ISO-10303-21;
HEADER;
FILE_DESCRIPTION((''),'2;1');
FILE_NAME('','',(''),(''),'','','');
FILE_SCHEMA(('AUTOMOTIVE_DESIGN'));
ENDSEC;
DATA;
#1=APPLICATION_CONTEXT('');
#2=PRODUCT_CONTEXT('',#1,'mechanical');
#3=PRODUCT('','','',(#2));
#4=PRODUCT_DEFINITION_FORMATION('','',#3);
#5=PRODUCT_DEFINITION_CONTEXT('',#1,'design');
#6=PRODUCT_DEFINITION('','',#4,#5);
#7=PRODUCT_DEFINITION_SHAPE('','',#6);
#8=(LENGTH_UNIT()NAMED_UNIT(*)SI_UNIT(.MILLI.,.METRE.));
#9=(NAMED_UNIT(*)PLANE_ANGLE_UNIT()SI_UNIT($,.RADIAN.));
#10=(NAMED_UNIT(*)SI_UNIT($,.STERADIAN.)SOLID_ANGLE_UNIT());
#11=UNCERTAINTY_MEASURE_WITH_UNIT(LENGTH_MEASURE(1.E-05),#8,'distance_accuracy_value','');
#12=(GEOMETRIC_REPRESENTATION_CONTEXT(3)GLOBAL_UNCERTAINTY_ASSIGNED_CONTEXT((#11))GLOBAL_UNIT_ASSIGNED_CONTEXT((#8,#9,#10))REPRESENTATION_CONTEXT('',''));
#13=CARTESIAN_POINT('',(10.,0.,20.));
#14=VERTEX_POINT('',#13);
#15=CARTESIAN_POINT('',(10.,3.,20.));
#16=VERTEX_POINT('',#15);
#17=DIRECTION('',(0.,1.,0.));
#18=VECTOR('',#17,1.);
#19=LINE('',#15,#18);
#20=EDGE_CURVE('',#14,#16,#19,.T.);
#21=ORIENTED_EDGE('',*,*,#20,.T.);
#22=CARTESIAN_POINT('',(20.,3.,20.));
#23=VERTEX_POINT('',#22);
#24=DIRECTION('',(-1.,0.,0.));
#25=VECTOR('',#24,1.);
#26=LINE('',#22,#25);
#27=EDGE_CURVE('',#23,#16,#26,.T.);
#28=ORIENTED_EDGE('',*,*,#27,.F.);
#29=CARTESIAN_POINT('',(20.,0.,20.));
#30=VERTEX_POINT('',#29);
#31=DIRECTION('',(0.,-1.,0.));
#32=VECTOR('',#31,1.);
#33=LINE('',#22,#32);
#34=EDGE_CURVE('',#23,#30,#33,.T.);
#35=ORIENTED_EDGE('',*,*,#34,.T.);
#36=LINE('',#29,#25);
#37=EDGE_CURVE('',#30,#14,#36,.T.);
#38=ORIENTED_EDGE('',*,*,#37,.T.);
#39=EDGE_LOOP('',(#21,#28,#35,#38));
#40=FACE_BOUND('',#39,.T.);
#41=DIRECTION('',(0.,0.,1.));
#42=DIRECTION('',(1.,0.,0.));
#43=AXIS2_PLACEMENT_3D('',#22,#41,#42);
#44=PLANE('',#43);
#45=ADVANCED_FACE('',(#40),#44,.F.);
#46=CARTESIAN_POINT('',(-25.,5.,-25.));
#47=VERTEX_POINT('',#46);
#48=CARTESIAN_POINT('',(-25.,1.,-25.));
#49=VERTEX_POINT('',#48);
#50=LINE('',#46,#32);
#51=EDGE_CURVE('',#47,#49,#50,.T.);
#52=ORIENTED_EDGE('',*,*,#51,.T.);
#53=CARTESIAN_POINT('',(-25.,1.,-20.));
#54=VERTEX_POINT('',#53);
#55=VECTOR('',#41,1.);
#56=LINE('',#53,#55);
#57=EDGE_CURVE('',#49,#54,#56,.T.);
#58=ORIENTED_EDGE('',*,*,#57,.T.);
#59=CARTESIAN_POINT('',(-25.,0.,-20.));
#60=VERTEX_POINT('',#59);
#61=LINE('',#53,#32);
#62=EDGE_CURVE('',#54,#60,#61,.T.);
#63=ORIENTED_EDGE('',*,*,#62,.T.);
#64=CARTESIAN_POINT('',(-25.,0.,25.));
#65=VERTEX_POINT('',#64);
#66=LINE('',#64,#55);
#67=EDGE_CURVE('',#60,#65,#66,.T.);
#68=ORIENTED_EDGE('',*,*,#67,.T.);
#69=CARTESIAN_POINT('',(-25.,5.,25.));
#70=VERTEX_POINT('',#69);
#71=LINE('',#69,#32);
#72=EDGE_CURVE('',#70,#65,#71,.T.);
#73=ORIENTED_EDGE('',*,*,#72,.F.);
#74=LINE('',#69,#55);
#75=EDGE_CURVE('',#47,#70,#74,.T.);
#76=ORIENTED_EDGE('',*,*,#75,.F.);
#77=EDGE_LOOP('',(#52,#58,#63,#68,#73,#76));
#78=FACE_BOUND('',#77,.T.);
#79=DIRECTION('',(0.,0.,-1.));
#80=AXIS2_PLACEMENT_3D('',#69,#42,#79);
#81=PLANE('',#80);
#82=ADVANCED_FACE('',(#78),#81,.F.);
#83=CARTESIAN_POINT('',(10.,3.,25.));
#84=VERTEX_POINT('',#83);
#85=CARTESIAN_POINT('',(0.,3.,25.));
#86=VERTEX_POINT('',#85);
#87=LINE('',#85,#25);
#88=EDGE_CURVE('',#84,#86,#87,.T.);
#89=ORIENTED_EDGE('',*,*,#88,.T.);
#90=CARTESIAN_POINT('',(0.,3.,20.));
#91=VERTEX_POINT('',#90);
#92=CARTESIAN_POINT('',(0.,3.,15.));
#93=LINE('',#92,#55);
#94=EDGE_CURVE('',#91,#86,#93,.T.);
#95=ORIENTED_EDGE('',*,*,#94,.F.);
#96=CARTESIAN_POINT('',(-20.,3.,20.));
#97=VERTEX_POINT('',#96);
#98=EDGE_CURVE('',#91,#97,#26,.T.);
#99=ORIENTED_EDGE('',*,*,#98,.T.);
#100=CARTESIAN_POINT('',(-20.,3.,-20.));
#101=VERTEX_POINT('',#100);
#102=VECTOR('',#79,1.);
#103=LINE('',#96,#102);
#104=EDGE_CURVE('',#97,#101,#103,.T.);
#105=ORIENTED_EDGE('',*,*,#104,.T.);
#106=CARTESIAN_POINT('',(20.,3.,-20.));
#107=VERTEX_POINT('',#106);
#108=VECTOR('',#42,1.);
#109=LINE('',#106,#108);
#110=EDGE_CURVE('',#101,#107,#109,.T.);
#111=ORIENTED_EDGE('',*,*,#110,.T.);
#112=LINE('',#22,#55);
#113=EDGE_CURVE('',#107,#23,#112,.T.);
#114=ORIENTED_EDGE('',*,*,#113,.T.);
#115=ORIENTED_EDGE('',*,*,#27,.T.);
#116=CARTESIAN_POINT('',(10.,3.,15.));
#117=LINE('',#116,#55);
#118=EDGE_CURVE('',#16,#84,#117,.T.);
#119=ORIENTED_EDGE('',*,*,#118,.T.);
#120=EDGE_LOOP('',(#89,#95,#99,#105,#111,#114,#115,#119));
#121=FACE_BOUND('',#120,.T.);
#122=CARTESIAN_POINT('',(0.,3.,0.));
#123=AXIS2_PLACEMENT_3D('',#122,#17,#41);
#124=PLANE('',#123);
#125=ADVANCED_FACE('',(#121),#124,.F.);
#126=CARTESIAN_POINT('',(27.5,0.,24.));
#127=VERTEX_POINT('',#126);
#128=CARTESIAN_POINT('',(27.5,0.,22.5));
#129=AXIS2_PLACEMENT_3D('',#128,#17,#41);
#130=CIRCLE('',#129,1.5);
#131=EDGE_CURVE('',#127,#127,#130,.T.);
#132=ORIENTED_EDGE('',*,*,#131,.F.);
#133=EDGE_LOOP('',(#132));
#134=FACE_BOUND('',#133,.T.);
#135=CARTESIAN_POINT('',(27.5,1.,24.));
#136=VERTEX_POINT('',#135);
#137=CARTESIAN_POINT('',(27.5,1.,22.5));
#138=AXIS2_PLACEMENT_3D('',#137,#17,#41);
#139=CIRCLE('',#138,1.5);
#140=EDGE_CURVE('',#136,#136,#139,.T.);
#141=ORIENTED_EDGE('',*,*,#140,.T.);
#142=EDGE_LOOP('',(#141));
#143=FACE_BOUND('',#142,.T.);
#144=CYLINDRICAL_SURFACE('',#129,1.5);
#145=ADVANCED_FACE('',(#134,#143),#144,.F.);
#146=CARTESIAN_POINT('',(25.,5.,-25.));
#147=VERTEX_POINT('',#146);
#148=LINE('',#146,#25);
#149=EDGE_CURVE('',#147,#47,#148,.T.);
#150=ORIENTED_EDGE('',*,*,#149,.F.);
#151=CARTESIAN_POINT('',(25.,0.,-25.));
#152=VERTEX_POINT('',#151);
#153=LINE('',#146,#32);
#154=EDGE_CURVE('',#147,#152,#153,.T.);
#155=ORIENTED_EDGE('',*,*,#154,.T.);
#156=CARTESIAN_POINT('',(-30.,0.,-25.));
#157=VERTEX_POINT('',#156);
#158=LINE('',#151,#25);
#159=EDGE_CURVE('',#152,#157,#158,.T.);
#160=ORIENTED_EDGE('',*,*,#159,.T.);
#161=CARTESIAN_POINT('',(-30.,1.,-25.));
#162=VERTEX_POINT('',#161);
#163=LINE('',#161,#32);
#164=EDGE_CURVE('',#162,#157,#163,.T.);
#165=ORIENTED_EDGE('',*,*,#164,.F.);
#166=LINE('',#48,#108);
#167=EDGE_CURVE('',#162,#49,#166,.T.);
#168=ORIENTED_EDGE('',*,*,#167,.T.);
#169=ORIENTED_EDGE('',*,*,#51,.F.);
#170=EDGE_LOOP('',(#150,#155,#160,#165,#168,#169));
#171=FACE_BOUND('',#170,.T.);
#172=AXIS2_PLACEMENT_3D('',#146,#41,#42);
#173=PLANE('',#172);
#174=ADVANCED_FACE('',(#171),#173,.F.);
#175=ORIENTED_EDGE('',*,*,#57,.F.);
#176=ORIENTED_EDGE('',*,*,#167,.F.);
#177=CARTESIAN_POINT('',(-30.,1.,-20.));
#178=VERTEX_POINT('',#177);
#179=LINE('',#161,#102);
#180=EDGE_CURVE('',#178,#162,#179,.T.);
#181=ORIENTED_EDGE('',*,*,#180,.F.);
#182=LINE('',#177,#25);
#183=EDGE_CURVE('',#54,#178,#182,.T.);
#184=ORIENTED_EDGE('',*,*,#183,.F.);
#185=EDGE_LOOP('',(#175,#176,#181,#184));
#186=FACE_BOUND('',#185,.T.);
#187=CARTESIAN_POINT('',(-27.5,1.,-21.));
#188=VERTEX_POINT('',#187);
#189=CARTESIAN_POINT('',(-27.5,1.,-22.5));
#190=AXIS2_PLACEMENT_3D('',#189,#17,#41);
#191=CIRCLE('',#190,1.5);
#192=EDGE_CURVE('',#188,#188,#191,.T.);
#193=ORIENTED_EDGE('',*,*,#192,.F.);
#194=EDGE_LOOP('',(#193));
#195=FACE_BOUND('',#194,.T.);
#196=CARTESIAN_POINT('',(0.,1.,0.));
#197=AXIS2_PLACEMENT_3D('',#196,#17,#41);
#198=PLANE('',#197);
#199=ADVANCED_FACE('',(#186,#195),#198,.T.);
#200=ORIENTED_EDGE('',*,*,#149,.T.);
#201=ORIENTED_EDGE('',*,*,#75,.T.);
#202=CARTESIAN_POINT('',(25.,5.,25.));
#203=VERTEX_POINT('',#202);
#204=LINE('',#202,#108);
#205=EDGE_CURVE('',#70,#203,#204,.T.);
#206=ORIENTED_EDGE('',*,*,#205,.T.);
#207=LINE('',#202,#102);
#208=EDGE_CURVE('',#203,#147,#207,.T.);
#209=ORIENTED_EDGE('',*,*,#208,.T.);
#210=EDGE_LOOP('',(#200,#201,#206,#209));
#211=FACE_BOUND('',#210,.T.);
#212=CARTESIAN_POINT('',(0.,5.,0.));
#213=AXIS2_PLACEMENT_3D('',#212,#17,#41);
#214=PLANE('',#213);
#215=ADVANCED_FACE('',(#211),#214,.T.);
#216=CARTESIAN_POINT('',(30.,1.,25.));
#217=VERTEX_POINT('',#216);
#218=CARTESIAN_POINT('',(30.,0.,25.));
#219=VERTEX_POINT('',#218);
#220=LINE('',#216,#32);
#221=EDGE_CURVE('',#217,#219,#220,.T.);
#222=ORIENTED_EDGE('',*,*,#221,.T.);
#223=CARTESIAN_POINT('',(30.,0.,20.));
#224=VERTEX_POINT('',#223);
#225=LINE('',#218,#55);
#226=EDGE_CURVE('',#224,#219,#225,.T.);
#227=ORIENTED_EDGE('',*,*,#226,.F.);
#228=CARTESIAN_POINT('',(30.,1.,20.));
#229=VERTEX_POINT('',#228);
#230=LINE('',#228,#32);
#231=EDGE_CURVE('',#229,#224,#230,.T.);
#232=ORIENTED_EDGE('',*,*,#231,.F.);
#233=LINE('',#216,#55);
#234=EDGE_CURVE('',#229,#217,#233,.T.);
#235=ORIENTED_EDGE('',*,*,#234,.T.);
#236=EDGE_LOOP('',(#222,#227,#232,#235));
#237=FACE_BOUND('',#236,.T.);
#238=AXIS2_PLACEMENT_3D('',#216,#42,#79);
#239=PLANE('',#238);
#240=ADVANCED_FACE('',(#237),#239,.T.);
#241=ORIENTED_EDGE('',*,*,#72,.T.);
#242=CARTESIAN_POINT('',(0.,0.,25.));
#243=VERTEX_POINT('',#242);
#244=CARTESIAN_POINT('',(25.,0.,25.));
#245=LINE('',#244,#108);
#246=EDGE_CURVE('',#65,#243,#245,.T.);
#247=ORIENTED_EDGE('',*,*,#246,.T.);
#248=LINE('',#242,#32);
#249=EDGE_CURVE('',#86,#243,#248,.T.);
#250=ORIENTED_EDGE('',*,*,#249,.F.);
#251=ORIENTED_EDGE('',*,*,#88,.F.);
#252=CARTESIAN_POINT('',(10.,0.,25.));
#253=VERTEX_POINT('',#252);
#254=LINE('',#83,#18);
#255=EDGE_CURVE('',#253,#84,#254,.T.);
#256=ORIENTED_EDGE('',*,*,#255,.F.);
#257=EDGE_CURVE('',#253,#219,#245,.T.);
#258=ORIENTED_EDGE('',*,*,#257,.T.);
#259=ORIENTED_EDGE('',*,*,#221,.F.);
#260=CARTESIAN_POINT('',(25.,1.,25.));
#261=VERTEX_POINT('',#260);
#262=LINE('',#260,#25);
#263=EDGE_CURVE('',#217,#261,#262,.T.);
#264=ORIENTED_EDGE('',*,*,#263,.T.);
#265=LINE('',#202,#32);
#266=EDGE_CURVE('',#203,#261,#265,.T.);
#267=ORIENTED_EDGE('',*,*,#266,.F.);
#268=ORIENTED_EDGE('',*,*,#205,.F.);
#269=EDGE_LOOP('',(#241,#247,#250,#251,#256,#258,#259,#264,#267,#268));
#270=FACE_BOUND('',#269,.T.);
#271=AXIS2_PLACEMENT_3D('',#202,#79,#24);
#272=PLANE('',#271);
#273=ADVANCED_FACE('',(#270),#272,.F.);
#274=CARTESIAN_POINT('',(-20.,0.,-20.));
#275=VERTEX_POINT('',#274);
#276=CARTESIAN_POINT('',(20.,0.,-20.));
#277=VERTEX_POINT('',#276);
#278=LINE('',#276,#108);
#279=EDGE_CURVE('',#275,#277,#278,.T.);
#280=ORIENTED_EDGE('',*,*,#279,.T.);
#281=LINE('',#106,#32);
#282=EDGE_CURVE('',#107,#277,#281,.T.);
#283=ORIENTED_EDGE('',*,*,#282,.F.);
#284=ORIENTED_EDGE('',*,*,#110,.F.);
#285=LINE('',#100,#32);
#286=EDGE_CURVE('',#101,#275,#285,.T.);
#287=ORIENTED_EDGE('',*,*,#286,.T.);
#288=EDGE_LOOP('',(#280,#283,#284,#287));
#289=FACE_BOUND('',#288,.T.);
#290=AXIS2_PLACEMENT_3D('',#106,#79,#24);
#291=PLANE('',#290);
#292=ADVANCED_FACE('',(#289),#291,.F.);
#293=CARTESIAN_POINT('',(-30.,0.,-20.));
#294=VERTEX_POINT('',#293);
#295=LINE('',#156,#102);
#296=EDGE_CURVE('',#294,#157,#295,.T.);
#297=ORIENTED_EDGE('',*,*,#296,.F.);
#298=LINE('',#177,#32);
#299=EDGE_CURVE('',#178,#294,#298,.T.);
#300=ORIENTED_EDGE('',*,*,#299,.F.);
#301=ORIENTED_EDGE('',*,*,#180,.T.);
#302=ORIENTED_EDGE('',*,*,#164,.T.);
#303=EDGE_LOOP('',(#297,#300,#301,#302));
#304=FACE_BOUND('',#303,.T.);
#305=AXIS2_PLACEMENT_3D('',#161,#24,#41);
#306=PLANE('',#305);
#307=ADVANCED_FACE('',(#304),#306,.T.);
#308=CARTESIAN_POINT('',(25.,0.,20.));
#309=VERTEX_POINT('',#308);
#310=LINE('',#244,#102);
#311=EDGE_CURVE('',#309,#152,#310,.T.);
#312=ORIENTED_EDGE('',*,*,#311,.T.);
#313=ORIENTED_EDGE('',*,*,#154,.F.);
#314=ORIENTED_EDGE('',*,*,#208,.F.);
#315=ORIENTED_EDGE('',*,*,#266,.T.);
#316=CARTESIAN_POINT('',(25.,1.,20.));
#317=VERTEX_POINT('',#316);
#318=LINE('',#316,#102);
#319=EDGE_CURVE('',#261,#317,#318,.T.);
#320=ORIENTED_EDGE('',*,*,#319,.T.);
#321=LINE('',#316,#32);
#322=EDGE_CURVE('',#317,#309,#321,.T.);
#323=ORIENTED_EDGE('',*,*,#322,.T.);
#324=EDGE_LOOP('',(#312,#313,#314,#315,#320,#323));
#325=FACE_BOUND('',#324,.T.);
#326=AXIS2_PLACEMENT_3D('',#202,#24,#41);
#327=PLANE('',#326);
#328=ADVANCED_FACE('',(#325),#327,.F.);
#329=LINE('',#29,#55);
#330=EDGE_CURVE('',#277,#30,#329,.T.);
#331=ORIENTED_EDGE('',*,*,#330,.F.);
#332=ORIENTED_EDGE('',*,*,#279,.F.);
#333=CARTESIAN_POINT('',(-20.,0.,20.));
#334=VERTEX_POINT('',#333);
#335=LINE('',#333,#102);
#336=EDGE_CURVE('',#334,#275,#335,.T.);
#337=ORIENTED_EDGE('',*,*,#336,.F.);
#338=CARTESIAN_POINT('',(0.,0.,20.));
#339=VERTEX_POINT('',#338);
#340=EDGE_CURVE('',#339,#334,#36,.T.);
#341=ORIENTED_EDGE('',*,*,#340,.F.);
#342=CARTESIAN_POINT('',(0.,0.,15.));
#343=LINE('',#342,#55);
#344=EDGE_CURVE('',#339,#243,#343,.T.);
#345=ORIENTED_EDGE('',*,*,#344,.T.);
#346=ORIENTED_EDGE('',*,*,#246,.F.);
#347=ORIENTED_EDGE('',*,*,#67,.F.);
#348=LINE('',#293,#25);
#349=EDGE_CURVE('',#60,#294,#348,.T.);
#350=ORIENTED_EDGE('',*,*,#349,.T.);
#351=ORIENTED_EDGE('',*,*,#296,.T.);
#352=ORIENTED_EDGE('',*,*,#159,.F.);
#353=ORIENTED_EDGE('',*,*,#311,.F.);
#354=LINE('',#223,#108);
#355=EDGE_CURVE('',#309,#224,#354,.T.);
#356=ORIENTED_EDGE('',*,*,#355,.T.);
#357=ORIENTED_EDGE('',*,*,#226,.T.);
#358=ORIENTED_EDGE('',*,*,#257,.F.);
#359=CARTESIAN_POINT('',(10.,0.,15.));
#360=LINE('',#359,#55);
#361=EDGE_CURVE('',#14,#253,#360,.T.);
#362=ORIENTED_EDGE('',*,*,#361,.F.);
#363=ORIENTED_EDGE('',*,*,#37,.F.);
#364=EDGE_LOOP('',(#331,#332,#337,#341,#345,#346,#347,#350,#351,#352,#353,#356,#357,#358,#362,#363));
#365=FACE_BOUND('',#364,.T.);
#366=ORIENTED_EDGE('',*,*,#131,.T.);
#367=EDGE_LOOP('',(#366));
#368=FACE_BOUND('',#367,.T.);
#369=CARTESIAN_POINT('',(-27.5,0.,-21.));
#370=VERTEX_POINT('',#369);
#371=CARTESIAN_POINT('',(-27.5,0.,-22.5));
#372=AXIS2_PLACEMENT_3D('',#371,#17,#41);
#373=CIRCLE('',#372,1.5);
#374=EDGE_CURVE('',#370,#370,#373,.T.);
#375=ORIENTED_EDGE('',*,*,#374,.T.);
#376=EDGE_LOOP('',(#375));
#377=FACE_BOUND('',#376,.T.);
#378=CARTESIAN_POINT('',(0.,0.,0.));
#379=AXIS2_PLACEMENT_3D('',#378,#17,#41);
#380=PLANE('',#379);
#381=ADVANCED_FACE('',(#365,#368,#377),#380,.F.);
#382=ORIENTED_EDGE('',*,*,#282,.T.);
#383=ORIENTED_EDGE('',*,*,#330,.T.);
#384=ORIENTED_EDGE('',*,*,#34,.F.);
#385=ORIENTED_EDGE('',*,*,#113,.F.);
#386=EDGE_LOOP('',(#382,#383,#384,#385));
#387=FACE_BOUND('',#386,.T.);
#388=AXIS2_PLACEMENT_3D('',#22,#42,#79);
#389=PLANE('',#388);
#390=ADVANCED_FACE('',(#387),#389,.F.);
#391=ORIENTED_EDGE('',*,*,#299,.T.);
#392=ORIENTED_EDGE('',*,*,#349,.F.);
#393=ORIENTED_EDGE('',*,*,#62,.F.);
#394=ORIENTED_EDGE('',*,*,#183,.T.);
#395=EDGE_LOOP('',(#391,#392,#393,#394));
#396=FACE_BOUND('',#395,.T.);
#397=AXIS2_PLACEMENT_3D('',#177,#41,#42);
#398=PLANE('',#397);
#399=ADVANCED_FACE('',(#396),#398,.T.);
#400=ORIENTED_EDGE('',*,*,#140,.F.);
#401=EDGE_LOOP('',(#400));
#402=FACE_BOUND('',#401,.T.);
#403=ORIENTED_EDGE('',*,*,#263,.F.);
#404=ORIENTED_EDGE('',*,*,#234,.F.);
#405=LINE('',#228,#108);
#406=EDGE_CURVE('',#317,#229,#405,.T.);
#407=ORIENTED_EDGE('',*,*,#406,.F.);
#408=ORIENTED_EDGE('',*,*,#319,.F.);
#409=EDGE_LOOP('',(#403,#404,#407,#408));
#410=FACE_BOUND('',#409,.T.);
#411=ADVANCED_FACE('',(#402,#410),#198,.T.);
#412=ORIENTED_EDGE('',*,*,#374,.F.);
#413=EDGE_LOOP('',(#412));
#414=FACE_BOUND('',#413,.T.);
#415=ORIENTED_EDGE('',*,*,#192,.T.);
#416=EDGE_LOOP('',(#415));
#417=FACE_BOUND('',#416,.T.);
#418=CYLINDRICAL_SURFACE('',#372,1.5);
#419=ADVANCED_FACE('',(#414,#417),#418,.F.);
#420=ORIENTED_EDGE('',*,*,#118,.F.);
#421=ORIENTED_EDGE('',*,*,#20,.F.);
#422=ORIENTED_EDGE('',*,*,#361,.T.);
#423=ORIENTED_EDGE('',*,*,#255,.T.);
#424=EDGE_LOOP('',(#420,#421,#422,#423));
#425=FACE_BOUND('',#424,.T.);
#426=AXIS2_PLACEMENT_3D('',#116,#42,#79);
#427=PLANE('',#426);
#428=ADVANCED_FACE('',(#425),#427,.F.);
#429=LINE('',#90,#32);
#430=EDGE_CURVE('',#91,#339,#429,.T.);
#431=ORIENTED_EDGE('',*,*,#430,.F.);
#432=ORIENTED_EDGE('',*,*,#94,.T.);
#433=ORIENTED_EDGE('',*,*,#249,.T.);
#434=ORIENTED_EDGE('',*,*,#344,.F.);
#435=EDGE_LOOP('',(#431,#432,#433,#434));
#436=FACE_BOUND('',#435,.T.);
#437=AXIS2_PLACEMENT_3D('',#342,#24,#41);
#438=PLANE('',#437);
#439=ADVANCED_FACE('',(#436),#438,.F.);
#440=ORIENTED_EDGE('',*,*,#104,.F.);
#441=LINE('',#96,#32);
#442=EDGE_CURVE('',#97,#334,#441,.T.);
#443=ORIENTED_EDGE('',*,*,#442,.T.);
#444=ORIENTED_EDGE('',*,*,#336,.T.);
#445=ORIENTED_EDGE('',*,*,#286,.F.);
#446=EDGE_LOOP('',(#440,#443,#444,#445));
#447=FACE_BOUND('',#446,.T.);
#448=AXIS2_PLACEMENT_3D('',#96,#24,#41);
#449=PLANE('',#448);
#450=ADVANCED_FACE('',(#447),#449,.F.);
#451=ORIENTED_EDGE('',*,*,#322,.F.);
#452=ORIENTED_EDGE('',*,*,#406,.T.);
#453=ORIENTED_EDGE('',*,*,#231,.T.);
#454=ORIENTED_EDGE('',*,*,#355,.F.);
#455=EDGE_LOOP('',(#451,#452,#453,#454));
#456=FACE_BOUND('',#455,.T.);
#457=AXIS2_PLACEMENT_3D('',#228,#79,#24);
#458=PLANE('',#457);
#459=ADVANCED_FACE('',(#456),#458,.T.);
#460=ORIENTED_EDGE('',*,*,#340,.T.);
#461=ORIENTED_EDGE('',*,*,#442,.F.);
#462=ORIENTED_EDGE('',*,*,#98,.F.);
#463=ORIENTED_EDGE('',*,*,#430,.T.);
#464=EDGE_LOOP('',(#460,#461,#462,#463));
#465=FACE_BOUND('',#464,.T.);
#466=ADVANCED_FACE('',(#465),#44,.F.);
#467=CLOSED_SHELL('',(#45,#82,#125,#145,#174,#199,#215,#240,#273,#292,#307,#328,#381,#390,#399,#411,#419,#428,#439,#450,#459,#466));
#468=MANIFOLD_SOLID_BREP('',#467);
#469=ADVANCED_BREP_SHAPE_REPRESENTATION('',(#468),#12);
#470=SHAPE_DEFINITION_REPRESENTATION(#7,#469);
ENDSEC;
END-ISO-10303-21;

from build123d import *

# Parameters (mm, degrees)
SKETCH1_W           = 50
SKETCH1_H           = 50
BOSS_EXTRUDE2_DEPTH = 5
SKETCH2_W           = 40
SKETCH2_H           = 40
CUT_EXTRUDE1_DEPTH  = 3
SKETCH3_W           = 5
SKETCH3_H           = 5
BOSS_EXTRUDE3_DEPTH = 1
SKETCH4_R           = 1.5
CUT_EXTRUDE2_DEPTH  = 1
SKETCH6_W           = 10
SKETCH6_H           = 3
CUT_EXTRUDE3_DEPTH  = 10


with BuildPart() as part:
    # Sketch1 → Boss-Extrude2 (new body)
    with BuildSketch(Plane(origin=(0, 0, 0), x_dir=(1, 0, 0), z_dir=(0, 1, 0))):
        Rectangle(SKETCH1_W, SKETCH1_H)
    extrude(amount=BOSS_EXTRUDE2_DEPTH)

    # Sketch2 → Cut-Extrude1 (cut)
    with BuildSketch(Plane(origin=(0, 0, 0), x_dir=(-1, 0, 0), z_dir=(0, -1, 0))):
        Rectangle(SKETCH2_W, SKETCH2_H)
    extrude(amount=-CUT_EXTRUDE1_DEPTH, mode=Mode.SUBTRACT)

    # Sketch3 → Boss-Extrude3 (add)
    with BuildSketch(Plane(origin=(0, 0, 0), x_dir=(-1, 0, 0), z_dir=(0, -1, 0))):
        with Locations((27.5, 22.5)):
            Rectangle(SKETCH3_W, SKETCH3_H)
        with Locations((-27.5, -22.5)):
            Rectangle(SKETCH3_W, SKETCH3_H)
    extrude(amount=-BOSS_EXTRUDE3_DEPTH)

    # Sketch4 → Cut-Extrude2 (cut)
    with BuildSketch(Plane(origin=(0, 1, 0), x_dir=(1, 0, 0), z_dir=(0, 1, 0))):
        with Locations(Location((-27.5, 22.5, 0), (0, 0, 270))):  # turned: the seam where the file's is
            Circle(SKETCH4_R)
        with Locations(Location((27.5, -22.5, 0), (0, 0, 270))):  # turned: the seam where the file's is
            Circle(SKETCH4_R)
    extrude(amount=-CUT_EXTRUDE2_DEPTH, mode=Mode.SUBTRACT)

    # Sketch6 → Cut-Extrude3 (cut)
    with BuildSketch(Plane.XY.offset(25)):
        with Locations((5, 1.5)):
            Rectangle(SKETCH6_W, SKETCH6_H)
    extrude(amount=-CUT_EXTRUDE3_DEPTH, mode=Mode.SUBTRACT)


solid = part.part
